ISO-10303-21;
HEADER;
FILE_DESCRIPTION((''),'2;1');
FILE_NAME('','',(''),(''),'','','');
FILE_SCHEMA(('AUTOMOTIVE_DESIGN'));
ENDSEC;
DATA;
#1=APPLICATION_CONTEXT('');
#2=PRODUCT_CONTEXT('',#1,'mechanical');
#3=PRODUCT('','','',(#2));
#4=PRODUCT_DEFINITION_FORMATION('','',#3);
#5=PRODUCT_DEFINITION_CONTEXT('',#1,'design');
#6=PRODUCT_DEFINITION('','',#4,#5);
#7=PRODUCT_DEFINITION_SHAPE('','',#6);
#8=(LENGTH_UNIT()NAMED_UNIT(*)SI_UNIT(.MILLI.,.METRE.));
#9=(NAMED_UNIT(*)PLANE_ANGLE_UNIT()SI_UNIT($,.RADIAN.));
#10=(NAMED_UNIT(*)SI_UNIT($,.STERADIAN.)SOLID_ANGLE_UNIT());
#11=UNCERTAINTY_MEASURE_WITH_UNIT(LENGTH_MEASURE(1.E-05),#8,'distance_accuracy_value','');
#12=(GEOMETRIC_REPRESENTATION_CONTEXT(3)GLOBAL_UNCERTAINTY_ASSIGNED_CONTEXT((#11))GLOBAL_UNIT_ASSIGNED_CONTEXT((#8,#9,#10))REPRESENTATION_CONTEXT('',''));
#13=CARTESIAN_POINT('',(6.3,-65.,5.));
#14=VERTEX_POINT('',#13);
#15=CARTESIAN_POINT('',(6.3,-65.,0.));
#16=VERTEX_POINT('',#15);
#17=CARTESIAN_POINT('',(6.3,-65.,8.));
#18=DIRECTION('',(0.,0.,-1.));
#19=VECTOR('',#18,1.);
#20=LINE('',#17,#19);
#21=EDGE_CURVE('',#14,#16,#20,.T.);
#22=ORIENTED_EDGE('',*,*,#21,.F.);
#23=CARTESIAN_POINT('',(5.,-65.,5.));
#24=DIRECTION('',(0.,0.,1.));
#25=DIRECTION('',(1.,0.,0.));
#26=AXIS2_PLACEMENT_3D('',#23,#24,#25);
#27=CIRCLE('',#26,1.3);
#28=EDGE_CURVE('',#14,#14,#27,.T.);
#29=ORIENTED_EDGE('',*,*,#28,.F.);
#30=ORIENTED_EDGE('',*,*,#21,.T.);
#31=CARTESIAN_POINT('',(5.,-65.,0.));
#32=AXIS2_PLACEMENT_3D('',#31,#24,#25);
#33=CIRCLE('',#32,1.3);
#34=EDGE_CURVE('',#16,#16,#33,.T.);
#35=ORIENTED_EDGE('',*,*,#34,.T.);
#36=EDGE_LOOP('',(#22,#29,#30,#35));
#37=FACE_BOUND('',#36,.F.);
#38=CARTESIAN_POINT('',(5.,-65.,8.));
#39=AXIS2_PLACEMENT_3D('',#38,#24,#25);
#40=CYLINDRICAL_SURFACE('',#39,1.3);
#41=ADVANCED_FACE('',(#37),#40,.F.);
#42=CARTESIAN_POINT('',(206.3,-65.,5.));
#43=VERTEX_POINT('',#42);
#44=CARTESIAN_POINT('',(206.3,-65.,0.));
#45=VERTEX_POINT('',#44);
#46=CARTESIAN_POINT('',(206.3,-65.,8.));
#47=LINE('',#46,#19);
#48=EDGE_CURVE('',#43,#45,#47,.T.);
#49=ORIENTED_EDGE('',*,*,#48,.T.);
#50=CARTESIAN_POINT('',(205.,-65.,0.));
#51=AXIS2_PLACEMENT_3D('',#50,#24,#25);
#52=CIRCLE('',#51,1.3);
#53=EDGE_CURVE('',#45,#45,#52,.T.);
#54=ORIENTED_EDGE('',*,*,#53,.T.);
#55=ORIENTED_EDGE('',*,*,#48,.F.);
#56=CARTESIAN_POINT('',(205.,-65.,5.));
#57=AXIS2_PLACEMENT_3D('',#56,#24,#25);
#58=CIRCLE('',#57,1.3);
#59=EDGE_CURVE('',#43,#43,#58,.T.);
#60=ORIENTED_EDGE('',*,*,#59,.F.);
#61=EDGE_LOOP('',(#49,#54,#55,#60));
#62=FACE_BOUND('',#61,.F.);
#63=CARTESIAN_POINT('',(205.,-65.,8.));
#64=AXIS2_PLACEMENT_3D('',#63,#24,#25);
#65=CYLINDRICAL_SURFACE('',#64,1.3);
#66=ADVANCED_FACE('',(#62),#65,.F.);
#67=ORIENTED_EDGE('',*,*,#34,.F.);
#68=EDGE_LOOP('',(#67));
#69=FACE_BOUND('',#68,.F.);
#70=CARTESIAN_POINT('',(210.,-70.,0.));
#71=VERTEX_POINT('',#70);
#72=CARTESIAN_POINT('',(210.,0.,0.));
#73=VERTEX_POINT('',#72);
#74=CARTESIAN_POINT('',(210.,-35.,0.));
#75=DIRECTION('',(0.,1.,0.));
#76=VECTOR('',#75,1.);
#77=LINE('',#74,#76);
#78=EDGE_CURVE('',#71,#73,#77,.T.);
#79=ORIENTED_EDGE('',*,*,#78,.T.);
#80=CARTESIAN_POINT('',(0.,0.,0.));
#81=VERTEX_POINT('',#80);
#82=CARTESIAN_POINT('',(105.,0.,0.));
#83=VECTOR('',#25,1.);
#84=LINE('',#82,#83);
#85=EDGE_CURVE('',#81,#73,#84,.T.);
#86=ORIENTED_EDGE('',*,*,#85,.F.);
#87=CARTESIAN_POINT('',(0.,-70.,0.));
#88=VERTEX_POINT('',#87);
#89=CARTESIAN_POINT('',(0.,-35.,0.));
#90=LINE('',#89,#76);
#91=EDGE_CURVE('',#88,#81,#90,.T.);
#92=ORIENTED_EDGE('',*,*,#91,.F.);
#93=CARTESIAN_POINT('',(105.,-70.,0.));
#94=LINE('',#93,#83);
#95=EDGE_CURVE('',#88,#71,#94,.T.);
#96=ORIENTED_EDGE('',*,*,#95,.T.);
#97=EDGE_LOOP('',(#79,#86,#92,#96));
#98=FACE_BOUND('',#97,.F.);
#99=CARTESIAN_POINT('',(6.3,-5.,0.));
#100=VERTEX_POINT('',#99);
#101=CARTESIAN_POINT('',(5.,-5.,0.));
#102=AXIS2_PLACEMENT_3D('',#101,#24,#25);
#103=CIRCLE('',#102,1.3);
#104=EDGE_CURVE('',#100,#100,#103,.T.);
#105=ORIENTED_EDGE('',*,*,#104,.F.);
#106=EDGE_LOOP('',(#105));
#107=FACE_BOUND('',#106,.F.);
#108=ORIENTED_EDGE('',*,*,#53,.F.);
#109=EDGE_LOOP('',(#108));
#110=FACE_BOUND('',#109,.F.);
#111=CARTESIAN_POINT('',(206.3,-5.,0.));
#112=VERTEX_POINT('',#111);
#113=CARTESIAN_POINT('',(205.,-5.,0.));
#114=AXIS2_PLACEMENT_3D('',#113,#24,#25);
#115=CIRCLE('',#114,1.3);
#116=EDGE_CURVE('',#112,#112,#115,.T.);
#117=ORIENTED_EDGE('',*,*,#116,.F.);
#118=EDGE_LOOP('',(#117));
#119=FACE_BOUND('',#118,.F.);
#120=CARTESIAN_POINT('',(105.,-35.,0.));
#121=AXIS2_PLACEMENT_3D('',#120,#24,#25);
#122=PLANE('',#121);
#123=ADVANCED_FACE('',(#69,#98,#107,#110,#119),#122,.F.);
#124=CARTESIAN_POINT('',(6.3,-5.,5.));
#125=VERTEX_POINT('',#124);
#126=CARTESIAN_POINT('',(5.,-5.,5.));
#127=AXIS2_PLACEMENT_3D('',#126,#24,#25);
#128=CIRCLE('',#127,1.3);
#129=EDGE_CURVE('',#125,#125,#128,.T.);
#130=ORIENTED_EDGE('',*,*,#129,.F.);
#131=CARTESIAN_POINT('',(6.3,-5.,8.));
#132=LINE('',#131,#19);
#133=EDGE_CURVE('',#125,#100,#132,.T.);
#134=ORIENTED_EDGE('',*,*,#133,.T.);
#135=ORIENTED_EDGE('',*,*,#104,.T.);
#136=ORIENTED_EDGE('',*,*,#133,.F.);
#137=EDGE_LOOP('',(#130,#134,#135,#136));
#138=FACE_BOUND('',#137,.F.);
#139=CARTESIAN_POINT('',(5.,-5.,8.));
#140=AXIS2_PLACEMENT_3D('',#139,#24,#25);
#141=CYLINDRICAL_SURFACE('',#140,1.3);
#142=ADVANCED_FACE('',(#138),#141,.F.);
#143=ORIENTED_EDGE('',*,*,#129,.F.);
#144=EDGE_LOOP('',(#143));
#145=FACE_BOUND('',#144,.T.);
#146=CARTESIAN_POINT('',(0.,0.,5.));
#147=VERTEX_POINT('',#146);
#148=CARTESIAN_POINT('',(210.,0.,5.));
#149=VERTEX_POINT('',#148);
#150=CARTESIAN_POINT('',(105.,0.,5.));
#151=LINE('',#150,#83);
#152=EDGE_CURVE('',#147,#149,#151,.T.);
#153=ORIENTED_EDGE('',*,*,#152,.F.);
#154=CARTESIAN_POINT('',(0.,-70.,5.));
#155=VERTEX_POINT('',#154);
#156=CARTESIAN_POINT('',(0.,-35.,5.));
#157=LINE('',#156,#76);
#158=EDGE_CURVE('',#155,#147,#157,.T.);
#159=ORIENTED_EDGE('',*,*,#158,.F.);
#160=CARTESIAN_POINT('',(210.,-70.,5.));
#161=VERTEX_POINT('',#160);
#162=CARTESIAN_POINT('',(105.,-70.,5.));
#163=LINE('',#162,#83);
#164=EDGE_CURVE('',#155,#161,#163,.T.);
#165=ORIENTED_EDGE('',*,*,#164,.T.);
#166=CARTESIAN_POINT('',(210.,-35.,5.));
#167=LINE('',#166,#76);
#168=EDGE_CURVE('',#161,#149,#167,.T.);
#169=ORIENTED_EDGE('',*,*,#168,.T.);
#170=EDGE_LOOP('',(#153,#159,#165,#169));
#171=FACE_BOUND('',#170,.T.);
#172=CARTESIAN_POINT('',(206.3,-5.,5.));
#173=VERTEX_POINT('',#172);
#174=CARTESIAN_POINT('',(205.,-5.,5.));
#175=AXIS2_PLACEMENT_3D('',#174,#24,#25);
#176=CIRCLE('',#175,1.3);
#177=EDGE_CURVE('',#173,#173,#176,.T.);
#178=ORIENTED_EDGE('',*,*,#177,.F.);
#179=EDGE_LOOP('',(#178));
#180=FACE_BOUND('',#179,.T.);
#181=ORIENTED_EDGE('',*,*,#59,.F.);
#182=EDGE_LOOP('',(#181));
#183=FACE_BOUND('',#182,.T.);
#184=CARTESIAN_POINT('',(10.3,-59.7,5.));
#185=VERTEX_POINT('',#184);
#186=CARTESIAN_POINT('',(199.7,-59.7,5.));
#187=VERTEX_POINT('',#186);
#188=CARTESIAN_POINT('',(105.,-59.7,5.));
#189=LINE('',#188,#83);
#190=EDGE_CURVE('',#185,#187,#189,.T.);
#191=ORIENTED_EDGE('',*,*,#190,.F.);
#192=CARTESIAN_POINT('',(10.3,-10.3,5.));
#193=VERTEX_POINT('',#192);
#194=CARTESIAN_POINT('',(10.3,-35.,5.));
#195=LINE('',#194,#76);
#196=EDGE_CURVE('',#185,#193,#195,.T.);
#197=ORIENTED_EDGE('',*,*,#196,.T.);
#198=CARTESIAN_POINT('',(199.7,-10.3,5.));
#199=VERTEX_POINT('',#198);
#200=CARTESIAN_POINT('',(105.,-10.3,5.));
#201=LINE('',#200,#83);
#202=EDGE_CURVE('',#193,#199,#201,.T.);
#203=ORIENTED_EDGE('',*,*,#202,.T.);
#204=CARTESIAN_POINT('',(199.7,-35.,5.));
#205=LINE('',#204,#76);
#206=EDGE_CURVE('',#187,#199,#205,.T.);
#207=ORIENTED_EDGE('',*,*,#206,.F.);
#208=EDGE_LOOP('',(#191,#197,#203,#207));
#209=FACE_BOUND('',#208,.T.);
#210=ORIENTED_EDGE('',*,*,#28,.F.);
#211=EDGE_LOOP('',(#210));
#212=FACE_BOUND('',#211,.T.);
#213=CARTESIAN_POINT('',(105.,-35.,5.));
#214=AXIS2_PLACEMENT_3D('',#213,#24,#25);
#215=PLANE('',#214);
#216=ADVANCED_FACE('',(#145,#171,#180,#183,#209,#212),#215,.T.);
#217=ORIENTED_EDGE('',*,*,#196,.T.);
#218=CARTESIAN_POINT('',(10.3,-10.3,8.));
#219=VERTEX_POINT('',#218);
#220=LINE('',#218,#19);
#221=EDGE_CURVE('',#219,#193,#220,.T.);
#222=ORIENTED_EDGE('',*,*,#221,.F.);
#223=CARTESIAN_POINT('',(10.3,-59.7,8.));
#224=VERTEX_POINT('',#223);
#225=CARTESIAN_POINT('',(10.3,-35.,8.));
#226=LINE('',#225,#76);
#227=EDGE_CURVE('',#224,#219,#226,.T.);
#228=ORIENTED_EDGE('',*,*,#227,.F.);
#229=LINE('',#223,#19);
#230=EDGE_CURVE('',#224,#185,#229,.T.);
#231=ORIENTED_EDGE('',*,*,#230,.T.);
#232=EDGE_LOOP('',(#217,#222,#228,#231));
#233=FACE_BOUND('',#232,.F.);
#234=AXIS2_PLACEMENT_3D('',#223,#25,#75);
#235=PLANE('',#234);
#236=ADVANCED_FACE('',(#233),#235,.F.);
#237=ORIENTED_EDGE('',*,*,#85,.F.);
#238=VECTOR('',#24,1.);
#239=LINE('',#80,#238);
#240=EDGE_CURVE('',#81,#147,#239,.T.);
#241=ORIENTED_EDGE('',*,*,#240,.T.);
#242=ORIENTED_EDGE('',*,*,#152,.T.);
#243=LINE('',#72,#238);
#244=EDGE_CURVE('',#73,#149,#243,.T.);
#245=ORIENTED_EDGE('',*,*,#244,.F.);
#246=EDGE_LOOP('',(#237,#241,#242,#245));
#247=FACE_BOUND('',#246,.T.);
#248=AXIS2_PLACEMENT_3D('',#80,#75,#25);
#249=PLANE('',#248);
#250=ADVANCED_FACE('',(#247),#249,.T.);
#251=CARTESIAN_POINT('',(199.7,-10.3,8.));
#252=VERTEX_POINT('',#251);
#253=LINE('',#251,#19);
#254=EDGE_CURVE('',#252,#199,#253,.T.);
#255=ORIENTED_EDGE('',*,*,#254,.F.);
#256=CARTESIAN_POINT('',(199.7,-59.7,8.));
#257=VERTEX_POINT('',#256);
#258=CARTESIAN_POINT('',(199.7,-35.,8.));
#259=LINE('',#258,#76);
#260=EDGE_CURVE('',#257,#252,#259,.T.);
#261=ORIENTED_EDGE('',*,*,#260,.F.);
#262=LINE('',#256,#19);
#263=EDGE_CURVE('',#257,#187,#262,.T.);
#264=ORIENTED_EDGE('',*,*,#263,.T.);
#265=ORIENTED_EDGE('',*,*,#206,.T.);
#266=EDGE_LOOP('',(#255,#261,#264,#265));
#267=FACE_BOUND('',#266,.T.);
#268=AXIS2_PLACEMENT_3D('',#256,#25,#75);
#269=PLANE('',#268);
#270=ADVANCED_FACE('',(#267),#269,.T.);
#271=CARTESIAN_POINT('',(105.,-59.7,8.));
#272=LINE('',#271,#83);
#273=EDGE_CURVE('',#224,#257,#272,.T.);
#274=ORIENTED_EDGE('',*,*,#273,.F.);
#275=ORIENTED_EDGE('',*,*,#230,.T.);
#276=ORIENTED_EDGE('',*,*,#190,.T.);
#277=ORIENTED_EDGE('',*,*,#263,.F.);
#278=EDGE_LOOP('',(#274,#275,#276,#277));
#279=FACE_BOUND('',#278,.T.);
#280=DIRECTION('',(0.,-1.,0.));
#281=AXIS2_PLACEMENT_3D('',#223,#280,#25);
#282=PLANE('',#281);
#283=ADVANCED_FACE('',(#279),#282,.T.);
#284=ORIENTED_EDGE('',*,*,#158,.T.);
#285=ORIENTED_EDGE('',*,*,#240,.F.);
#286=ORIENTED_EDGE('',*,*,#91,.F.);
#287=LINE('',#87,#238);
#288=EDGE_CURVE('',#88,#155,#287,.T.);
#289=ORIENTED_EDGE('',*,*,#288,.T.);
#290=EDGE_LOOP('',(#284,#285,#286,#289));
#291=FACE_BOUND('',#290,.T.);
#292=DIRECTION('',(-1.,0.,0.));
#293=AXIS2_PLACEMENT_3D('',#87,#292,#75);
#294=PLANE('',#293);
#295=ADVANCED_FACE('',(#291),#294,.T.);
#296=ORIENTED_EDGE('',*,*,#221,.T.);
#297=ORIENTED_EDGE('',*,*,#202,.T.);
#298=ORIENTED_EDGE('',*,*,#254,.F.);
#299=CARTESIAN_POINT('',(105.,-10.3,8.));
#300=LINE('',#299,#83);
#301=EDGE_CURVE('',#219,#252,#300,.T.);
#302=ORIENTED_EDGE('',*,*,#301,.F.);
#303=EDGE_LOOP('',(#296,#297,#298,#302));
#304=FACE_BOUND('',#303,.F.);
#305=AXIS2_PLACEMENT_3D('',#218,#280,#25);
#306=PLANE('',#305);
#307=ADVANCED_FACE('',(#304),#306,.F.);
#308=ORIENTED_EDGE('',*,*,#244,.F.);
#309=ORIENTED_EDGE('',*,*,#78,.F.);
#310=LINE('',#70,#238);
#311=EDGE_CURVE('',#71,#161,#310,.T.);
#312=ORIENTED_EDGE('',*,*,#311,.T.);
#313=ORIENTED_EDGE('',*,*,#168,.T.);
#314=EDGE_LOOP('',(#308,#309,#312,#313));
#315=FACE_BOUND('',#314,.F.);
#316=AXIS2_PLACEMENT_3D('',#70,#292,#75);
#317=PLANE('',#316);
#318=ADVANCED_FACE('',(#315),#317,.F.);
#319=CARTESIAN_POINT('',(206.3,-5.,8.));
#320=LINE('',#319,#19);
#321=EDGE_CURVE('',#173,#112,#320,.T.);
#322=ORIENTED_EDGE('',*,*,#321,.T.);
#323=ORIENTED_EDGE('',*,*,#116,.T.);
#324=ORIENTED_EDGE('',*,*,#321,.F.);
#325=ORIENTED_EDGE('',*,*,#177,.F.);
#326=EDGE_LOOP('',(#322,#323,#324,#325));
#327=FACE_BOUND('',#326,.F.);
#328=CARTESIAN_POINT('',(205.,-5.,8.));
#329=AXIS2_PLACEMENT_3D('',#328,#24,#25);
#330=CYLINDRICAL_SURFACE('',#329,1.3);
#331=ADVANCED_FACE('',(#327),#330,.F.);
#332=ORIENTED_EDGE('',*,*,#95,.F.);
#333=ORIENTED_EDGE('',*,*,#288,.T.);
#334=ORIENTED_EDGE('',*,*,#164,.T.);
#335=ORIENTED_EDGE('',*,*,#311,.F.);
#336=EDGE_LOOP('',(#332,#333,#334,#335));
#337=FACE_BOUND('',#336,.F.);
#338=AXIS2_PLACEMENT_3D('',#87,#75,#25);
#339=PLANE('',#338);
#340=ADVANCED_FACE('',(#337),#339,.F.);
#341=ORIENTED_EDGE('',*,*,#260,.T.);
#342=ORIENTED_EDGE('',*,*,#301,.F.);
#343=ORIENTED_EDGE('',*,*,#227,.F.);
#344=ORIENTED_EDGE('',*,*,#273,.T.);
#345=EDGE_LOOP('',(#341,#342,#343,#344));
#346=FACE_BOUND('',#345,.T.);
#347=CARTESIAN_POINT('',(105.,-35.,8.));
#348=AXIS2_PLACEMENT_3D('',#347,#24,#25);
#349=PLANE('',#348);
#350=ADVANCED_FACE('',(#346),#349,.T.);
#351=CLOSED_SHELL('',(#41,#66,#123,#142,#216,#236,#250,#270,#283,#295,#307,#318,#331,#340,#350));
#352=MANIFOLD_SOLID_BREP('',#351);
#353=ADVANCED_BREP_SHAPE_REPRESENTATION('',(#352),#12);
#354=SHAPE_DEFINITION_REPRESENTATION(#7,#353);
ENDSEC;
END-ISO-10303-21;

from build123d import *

# Parameters (mm, degrees)
SKETCH014_W     = 210
SKETCH014_H     = 70
PAD004_DEPTH    = 8
SKETCH015_W     = 210
SKETCH015_H     = 70
SKETCH015_W_2   = 189.4
SKETCH015_H_2   = 49.4
POCKET006_DEPTH = 3
SKETCH016_R     = 1.3
POCKET007_DEPTH = 25


with BuildPart() as part:
    # Sketch014 → Pad004 (new body)
    with BuildSketch(Plane.XY):
        with Locations((105, -35)):
            Rectangle(SKETCH014_W, SKETCH014_H)
    extrude(amount=PAD004_DEPTH)

    # Sketch015 (on Face6 of Pad004) → Pocket006 (cut)
    with BuildSketch(Plane.XY.offset(8)):
        with Locations((105, -35)):
            Rectangle(SKETCH015_W, SKETCH015_H)
        with Locations((105, -35)):
            Rectangle(SKETCH015_W_2, SKETCH015_H_2, mode=Mode.SUBTRACT)
    extrude(amount=-POCKET006_DEPTH, mode=Mode.SUBTRACT)

    # Sketch016 (on Face11 of Pocket006) → Pocket007 (cut)
    with BuildSketch(Plane.XY.offset(8)):
        with Locations((5, -5)):
            Circle(SKETCH016_R)
        with Locations((205, -5)):
            Circle(SKETCH016_R)
        with Locations((205, -65)):
            Circle(SKETCH016_R)
        with Locations((5, -65)):
            Circle(SKETCH016_R)
    extrude(amount=-POCKET007_DEPTH, mode=Mode.SUBTRACT)


solid = part.part
